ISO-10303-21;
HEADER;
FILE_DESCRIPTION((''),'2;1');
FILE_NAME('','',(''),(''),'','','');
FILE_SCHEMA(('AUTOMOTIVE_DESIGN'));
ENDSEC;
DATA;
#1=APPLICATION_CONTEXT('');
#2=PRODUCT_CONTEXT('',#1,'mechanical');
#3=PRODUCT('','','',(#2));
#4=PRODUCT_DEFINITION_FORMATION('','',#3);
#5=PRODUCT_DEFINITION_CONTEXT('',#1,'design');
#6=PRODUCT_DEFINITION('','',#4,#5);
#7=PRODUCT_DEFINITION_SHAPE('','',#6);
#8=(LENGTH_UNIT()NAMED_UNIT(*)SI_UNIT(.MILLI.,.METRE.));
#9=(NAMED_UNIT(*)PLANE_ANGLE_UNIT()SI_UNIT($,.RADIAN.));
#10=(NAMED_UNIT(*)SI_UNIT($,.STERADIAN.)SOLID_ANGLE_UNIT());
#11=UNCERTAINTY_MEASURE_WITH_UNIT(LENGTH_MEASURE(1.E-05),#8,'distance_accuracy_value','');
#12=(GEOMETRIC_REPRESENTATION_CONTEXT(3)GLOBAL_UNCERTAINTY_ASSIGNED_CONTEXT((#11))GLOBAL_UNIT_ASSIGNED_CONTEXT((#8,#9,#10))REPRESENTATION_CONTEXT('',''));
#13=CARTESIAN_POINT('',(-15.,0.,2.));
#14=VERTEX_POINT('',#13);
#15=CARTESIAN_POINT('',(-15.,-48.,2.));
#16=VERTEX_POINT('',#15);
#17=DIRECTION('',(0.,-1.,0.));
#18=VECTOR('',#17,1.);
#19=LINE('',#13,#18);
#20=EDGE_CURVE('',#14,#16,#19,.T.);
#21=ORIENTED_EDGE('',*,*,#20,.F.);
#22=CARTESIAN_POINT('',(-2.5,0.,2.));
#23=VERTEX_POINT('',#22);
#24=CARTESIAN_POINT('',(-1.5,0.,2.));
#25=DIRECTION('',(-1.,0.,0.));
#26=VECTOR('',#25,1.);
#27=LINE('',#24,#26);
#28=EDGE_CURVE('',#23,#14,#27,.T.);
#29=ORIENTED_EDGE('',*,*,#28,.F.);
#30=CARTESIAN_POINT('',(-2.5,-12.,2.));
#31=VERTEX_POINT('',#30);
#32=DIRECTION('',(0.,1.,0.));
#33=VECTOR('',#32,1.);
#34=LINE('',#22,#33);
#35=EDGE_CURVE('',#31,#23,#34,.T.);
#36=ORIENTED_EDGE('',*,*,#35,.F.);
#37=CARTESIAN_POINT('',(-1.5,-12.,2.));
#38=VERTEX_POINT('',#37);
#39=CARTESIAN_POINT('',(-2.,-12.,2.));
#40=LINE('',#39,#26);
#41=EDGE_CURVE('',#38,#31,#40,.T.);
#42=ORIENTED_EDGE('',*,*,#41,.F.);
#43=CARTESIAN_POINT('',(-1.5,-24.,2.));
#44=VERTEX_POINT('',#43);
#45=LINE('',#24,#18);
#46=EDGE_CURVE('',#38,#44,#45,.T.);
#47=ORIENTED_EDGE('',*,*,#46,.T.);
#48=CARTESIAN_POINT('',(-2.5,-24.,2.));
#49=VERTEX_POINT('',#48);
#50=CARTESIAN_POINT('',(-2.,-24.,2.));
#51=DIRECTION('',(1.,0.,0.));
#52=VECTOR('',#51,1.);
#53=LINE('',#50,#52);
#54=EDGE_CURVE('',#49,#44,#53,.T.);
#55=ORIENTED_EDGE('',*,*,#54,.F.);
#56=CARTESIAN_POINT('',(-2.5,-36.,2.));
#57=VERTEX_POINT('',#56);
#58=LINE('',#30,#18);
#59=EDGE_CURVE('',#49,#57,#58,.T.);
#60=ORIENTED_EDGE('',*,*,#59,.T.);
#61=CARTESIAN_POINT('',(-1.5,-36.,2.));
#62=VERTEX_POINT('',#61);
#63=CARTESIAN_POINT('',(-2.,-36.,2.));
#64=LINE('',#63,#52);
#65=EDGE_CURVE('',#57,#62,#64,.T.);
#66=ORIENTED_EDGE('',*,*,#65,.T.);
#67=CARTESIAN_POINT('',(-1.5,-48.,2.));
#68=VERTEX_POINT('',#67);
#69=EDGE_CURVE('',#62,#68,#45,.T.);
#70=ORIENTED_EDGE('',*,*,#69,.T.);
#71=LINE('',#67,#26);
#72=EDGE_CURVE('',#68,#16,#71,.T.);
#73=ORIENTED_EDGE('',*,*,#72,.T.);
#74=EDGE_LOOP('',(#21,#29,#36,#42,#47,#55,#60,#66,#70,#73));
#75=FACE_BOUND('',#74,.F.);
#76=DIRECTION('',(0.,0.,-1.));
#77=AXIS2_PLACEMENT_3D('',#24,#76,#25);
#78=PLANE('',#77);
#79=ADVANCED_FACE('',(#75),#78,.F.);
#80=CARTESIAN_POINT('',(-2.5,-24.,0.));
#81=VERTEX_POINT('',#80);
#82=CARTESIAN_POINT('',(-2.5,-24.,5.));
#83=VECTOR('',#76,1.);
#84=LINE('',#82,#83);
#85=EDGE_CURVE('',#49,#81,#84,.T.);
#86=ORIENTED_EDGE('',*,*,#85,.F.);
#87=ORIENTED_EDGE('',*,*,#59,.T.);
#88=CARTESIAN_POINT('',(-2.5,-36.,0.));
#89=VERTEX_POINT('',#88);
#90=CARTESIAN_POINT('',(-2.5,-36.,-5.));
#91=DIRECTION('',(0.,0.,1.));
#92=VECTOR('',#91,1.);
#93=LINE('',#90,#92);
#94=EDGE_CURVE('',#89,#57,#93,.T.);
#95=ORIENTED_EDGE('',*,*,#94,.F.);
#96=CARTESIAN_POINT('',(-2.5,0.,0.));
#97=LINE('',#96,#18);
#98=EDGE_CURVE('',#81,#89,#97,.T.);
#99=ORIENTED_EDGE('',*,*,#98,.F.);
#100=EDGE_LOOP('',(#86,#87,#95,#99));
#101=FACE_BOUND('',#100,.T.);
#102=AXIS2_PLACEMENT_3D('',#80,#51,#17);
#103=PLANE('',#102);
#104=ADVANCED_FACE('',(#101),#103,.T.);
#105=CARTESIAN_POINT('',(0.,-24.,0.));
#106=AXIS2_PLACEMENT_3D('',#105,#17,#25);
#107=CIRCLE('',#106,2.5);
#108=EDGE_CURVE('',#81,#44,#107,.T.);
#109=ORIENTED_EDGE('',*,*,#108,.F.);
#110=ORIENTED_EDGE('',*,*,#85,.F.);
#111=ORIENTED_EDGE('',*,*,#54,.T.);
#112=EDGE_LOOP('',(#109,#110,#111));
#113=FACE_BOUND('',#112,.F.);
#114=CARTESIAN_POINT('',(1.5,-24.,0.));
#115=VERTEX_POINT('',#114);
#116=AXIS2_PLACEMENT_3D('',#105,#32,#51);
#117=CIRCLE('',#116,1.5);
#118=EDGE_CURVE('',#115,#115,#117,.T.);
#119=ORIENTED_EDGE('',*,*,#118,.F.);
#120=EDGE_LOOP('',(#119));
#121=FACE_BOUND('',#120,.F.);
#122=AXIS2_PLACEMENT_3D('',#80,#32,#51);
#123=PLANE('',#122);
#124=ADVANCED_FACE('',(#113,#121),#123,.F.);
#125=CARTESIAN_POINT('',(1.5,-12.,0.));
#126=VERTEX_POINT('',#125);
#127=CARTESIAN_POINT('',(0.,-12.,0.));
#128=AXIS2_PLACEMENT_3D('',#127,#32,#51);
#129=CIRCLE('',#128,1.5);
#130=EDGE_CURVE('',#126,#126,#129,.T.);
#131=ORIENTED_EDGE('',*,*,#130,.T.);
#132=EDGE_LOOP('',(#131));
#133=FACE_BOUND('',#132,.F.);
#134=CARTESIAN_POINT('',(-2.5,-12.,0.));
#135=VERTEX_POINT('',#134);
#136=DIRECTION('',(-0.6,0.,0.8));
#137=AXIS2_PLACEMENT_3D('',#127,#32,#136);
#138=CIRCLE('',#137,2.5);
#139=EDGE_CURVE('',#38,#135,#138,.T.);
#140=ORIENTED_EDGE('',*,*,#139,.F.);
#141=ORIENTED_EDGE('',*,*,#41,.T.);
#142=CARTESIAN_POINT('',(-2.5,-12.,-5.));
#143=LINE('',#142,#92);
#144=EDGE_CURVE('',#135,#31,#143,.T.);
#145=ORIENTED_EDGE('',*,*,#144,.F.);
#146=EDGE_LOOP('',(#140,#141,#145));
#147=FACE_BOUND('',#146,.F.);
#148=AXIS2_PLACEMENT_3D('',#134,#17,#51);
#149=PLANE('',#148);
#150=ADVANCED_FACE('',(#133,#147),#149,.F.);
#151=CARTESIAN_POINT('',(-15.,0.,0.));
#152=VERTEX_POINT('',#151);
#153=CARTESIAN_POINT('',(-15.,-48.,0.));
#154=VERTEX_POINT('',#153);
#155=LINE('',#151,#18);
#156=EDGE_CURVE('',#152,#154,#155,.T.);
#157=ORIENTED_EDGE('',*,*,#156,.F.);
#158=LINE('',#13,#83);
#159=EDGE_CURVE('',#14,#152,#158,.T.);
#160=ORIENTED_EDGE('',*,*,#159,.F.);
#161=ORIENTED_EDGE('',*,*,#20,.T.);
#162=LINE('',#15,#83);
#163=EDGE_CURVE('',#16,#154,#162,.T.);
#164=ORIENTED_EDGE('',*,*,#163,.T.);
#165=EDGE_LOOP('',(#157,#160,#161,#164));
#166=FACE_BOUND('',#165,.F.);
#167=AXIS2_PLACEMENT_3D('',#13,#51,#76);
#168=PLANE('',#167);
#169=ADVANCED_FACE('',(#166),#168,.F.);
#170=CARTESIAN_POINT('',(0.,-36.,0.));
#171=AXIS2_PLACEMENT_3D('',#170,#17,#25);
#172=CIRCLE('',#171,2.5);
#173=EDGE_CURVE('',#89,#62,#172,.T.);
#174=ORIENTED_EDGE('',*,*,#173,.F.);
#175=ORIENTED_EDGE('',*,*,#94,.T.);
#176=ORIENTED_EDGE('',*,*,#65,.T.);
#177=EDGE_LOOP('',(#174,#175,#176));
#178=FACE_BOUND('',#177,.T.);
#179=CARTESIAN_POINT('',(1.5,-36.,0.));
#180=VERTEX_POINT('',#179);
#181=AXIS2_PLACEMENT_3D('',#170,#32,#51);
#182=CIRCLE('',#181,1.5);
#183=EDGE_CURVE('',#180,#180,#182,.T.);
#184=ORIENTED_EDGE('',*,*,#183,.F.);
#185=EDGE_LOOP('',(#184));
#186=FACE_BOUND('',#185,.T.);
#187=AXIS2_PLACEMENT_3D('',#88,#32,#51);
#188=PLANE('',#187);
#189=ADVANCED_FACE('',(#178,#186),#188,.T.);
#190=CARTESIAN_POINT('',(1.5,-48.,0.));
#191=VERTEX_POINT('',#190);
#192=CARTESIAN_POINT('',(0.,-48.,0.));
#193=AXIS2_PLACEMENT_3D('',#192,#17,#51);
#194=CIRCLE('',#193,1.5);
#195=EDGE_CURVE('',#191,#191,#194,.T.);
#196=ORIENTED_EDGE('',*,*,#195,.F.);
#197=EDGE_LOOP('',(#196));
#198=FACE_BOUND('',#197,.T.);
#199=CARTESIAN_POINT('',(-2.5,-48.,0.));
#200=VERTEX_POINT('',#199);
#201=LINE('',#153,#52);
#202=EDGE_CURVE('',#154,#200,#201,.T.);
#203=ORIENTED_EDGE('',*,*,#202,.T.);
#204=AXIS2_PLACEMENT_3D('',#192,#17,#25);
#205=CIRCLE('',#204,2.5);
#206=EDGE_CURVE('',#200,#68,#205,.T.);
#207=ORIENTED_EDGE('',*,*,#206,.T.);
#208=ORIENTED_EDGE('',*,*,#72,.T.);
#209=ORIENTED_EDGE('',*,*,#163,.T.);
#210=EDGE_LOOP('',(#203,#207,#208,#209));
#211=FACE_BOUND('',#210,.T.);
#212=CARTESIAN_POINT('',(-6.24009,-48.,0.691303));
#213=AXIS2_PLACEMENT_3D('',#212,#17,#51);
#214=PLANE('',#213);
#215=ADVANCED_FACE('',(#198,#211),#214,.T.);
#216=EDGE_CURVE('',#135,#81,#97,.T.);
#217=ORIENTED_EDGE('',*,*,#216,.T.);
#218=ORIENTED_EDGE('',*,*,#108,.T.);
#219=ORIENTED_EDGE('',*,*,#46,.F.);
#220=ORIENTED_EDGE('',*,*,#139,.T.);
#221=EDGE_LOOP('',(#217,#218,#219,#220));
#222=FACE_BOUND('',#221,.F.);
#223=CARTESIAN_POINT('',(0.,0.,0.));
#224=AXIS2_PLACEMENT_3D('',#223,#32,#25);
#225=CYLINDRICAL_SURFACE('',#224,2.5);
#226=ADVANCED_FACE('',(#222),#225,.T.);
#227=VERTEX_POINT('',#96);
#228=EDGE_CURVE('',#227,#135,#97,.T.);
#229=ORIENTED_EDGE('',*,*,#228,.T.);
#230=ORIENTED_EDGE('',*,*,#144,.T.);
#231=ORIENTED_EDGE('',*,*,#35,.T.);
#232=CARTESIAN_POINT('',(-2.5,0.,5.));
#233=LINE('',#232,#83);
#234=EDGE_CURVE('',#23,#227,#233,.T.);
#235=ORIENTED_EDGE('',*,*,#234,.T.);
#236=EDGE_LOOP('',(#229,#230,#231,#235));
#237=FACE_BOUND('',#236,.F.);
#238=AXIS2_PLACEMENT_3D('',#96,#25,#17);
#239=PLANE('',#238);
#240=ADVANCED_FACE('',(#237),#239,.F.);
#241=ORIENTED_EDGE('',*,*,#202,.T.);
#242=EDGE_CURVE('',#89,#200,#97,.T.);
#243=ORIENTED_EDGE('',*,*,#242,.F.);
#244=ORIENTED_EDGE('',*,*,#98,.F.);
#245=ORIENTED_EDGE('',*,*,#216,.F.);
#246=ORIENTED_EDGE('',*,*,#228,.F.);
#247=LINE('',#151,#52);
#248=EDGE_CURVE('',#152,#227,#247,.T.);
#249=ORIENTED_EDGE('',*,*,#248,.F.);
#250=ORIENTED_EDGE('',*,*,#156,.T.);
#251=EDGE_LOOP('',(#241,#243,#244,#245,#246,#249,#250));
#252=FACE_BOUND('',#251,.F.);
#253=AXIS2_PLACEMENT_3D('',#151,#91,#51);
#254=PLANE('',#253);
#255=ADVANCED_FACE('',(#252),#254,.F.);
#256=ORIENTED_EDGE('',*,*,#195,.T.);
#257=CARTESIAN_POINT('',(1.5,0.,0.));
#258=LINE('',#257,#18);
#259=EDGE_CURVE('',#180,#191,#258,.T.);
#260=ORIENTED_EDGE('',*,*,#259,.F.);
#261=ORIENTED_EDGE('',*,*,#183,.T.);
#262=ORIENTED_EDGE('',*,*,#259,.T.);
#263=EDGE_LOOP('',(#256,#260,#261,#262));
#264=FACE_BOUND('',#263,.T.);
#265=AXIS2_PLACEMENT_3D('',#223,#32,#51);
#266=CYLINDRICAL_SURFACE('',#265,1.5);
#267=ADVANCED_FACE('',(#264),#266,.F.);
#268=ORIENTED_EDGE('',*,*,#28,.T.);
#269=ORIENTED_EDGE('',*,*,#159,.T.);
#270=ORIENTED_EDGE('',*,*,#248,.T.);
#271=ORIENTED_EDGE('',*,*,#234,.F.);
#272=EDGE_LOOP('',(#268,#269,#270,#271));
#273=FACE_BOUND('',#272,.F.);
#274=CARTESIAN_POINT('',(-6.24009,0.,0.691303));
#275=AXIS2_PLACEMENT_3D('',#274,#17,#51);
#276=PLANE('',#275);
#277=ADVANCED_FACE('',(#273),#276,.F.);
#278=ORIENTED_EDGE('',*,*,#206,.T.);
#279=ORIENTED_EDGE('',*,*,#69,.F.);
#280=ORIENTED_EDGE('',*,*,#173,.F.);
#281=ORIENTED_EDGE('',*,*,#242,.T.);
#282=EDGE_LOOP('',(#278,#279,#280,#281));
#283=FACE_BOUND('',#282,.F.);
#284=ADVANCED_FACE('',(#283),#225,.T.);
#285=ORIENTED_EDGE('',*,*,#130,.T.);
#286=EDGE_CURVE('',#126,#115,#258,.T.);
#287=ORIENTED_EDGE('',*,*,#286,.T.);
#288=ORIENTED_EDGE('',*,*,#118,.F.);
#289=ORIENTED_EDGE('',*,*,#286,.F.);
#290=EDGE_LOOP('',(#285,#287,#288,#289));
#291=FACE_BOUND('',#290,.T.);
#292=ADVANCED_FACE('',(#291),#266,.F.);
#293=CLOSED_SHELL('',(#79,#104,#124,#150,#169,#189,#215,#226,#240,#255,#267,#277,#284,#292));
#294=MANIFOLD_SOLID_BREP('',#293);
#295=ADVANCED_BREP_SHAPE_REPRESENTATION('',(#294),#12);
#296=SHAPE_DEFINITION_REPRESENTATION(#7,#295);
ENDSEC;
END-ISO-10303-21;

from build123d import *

# Parameters (mm, degrees)
F0_R     = 1.5
F1_DEPTH = 48
F2_W     = 5
F2_H     = 12
F3_DEPTH = 5


with BuildPart() as f1:
    # F0 (on Front) → F1 (new body)
    with BuildSketch(Plane.XZ):
        with BuildLine():
            Line((-1.5, 2), (-15, 2))
            Line((-15, 2), (-15, 0))
            Line((-15, 0), (-2.5, 0))
            ThreePointArc((-2.5, 0), (2.2360679775, -1.1180339887), (-1.5, 2))
        make_face()
        Circle(F0_R, mode=Mode.SUBTRACT)
    extrude(amount=F1_DEPTH)

    # F2 (on face) → F3 (cut, symmetric)
    with BuildSketch(Plane(origin=(0, 0, 0), x_dir=(1, 0, 0), z_dir=(0, 0, -1))):
        with Locations((0, 6)):
            Rectangle(F2_W, F2_H)
        with Locations((0, 30)):
            Rectangle(F2_W, F2_H)
    extrude(amount=F3_DEPTH, both=True, mode=Mode.SUBTRACT)


solid = f1.part
